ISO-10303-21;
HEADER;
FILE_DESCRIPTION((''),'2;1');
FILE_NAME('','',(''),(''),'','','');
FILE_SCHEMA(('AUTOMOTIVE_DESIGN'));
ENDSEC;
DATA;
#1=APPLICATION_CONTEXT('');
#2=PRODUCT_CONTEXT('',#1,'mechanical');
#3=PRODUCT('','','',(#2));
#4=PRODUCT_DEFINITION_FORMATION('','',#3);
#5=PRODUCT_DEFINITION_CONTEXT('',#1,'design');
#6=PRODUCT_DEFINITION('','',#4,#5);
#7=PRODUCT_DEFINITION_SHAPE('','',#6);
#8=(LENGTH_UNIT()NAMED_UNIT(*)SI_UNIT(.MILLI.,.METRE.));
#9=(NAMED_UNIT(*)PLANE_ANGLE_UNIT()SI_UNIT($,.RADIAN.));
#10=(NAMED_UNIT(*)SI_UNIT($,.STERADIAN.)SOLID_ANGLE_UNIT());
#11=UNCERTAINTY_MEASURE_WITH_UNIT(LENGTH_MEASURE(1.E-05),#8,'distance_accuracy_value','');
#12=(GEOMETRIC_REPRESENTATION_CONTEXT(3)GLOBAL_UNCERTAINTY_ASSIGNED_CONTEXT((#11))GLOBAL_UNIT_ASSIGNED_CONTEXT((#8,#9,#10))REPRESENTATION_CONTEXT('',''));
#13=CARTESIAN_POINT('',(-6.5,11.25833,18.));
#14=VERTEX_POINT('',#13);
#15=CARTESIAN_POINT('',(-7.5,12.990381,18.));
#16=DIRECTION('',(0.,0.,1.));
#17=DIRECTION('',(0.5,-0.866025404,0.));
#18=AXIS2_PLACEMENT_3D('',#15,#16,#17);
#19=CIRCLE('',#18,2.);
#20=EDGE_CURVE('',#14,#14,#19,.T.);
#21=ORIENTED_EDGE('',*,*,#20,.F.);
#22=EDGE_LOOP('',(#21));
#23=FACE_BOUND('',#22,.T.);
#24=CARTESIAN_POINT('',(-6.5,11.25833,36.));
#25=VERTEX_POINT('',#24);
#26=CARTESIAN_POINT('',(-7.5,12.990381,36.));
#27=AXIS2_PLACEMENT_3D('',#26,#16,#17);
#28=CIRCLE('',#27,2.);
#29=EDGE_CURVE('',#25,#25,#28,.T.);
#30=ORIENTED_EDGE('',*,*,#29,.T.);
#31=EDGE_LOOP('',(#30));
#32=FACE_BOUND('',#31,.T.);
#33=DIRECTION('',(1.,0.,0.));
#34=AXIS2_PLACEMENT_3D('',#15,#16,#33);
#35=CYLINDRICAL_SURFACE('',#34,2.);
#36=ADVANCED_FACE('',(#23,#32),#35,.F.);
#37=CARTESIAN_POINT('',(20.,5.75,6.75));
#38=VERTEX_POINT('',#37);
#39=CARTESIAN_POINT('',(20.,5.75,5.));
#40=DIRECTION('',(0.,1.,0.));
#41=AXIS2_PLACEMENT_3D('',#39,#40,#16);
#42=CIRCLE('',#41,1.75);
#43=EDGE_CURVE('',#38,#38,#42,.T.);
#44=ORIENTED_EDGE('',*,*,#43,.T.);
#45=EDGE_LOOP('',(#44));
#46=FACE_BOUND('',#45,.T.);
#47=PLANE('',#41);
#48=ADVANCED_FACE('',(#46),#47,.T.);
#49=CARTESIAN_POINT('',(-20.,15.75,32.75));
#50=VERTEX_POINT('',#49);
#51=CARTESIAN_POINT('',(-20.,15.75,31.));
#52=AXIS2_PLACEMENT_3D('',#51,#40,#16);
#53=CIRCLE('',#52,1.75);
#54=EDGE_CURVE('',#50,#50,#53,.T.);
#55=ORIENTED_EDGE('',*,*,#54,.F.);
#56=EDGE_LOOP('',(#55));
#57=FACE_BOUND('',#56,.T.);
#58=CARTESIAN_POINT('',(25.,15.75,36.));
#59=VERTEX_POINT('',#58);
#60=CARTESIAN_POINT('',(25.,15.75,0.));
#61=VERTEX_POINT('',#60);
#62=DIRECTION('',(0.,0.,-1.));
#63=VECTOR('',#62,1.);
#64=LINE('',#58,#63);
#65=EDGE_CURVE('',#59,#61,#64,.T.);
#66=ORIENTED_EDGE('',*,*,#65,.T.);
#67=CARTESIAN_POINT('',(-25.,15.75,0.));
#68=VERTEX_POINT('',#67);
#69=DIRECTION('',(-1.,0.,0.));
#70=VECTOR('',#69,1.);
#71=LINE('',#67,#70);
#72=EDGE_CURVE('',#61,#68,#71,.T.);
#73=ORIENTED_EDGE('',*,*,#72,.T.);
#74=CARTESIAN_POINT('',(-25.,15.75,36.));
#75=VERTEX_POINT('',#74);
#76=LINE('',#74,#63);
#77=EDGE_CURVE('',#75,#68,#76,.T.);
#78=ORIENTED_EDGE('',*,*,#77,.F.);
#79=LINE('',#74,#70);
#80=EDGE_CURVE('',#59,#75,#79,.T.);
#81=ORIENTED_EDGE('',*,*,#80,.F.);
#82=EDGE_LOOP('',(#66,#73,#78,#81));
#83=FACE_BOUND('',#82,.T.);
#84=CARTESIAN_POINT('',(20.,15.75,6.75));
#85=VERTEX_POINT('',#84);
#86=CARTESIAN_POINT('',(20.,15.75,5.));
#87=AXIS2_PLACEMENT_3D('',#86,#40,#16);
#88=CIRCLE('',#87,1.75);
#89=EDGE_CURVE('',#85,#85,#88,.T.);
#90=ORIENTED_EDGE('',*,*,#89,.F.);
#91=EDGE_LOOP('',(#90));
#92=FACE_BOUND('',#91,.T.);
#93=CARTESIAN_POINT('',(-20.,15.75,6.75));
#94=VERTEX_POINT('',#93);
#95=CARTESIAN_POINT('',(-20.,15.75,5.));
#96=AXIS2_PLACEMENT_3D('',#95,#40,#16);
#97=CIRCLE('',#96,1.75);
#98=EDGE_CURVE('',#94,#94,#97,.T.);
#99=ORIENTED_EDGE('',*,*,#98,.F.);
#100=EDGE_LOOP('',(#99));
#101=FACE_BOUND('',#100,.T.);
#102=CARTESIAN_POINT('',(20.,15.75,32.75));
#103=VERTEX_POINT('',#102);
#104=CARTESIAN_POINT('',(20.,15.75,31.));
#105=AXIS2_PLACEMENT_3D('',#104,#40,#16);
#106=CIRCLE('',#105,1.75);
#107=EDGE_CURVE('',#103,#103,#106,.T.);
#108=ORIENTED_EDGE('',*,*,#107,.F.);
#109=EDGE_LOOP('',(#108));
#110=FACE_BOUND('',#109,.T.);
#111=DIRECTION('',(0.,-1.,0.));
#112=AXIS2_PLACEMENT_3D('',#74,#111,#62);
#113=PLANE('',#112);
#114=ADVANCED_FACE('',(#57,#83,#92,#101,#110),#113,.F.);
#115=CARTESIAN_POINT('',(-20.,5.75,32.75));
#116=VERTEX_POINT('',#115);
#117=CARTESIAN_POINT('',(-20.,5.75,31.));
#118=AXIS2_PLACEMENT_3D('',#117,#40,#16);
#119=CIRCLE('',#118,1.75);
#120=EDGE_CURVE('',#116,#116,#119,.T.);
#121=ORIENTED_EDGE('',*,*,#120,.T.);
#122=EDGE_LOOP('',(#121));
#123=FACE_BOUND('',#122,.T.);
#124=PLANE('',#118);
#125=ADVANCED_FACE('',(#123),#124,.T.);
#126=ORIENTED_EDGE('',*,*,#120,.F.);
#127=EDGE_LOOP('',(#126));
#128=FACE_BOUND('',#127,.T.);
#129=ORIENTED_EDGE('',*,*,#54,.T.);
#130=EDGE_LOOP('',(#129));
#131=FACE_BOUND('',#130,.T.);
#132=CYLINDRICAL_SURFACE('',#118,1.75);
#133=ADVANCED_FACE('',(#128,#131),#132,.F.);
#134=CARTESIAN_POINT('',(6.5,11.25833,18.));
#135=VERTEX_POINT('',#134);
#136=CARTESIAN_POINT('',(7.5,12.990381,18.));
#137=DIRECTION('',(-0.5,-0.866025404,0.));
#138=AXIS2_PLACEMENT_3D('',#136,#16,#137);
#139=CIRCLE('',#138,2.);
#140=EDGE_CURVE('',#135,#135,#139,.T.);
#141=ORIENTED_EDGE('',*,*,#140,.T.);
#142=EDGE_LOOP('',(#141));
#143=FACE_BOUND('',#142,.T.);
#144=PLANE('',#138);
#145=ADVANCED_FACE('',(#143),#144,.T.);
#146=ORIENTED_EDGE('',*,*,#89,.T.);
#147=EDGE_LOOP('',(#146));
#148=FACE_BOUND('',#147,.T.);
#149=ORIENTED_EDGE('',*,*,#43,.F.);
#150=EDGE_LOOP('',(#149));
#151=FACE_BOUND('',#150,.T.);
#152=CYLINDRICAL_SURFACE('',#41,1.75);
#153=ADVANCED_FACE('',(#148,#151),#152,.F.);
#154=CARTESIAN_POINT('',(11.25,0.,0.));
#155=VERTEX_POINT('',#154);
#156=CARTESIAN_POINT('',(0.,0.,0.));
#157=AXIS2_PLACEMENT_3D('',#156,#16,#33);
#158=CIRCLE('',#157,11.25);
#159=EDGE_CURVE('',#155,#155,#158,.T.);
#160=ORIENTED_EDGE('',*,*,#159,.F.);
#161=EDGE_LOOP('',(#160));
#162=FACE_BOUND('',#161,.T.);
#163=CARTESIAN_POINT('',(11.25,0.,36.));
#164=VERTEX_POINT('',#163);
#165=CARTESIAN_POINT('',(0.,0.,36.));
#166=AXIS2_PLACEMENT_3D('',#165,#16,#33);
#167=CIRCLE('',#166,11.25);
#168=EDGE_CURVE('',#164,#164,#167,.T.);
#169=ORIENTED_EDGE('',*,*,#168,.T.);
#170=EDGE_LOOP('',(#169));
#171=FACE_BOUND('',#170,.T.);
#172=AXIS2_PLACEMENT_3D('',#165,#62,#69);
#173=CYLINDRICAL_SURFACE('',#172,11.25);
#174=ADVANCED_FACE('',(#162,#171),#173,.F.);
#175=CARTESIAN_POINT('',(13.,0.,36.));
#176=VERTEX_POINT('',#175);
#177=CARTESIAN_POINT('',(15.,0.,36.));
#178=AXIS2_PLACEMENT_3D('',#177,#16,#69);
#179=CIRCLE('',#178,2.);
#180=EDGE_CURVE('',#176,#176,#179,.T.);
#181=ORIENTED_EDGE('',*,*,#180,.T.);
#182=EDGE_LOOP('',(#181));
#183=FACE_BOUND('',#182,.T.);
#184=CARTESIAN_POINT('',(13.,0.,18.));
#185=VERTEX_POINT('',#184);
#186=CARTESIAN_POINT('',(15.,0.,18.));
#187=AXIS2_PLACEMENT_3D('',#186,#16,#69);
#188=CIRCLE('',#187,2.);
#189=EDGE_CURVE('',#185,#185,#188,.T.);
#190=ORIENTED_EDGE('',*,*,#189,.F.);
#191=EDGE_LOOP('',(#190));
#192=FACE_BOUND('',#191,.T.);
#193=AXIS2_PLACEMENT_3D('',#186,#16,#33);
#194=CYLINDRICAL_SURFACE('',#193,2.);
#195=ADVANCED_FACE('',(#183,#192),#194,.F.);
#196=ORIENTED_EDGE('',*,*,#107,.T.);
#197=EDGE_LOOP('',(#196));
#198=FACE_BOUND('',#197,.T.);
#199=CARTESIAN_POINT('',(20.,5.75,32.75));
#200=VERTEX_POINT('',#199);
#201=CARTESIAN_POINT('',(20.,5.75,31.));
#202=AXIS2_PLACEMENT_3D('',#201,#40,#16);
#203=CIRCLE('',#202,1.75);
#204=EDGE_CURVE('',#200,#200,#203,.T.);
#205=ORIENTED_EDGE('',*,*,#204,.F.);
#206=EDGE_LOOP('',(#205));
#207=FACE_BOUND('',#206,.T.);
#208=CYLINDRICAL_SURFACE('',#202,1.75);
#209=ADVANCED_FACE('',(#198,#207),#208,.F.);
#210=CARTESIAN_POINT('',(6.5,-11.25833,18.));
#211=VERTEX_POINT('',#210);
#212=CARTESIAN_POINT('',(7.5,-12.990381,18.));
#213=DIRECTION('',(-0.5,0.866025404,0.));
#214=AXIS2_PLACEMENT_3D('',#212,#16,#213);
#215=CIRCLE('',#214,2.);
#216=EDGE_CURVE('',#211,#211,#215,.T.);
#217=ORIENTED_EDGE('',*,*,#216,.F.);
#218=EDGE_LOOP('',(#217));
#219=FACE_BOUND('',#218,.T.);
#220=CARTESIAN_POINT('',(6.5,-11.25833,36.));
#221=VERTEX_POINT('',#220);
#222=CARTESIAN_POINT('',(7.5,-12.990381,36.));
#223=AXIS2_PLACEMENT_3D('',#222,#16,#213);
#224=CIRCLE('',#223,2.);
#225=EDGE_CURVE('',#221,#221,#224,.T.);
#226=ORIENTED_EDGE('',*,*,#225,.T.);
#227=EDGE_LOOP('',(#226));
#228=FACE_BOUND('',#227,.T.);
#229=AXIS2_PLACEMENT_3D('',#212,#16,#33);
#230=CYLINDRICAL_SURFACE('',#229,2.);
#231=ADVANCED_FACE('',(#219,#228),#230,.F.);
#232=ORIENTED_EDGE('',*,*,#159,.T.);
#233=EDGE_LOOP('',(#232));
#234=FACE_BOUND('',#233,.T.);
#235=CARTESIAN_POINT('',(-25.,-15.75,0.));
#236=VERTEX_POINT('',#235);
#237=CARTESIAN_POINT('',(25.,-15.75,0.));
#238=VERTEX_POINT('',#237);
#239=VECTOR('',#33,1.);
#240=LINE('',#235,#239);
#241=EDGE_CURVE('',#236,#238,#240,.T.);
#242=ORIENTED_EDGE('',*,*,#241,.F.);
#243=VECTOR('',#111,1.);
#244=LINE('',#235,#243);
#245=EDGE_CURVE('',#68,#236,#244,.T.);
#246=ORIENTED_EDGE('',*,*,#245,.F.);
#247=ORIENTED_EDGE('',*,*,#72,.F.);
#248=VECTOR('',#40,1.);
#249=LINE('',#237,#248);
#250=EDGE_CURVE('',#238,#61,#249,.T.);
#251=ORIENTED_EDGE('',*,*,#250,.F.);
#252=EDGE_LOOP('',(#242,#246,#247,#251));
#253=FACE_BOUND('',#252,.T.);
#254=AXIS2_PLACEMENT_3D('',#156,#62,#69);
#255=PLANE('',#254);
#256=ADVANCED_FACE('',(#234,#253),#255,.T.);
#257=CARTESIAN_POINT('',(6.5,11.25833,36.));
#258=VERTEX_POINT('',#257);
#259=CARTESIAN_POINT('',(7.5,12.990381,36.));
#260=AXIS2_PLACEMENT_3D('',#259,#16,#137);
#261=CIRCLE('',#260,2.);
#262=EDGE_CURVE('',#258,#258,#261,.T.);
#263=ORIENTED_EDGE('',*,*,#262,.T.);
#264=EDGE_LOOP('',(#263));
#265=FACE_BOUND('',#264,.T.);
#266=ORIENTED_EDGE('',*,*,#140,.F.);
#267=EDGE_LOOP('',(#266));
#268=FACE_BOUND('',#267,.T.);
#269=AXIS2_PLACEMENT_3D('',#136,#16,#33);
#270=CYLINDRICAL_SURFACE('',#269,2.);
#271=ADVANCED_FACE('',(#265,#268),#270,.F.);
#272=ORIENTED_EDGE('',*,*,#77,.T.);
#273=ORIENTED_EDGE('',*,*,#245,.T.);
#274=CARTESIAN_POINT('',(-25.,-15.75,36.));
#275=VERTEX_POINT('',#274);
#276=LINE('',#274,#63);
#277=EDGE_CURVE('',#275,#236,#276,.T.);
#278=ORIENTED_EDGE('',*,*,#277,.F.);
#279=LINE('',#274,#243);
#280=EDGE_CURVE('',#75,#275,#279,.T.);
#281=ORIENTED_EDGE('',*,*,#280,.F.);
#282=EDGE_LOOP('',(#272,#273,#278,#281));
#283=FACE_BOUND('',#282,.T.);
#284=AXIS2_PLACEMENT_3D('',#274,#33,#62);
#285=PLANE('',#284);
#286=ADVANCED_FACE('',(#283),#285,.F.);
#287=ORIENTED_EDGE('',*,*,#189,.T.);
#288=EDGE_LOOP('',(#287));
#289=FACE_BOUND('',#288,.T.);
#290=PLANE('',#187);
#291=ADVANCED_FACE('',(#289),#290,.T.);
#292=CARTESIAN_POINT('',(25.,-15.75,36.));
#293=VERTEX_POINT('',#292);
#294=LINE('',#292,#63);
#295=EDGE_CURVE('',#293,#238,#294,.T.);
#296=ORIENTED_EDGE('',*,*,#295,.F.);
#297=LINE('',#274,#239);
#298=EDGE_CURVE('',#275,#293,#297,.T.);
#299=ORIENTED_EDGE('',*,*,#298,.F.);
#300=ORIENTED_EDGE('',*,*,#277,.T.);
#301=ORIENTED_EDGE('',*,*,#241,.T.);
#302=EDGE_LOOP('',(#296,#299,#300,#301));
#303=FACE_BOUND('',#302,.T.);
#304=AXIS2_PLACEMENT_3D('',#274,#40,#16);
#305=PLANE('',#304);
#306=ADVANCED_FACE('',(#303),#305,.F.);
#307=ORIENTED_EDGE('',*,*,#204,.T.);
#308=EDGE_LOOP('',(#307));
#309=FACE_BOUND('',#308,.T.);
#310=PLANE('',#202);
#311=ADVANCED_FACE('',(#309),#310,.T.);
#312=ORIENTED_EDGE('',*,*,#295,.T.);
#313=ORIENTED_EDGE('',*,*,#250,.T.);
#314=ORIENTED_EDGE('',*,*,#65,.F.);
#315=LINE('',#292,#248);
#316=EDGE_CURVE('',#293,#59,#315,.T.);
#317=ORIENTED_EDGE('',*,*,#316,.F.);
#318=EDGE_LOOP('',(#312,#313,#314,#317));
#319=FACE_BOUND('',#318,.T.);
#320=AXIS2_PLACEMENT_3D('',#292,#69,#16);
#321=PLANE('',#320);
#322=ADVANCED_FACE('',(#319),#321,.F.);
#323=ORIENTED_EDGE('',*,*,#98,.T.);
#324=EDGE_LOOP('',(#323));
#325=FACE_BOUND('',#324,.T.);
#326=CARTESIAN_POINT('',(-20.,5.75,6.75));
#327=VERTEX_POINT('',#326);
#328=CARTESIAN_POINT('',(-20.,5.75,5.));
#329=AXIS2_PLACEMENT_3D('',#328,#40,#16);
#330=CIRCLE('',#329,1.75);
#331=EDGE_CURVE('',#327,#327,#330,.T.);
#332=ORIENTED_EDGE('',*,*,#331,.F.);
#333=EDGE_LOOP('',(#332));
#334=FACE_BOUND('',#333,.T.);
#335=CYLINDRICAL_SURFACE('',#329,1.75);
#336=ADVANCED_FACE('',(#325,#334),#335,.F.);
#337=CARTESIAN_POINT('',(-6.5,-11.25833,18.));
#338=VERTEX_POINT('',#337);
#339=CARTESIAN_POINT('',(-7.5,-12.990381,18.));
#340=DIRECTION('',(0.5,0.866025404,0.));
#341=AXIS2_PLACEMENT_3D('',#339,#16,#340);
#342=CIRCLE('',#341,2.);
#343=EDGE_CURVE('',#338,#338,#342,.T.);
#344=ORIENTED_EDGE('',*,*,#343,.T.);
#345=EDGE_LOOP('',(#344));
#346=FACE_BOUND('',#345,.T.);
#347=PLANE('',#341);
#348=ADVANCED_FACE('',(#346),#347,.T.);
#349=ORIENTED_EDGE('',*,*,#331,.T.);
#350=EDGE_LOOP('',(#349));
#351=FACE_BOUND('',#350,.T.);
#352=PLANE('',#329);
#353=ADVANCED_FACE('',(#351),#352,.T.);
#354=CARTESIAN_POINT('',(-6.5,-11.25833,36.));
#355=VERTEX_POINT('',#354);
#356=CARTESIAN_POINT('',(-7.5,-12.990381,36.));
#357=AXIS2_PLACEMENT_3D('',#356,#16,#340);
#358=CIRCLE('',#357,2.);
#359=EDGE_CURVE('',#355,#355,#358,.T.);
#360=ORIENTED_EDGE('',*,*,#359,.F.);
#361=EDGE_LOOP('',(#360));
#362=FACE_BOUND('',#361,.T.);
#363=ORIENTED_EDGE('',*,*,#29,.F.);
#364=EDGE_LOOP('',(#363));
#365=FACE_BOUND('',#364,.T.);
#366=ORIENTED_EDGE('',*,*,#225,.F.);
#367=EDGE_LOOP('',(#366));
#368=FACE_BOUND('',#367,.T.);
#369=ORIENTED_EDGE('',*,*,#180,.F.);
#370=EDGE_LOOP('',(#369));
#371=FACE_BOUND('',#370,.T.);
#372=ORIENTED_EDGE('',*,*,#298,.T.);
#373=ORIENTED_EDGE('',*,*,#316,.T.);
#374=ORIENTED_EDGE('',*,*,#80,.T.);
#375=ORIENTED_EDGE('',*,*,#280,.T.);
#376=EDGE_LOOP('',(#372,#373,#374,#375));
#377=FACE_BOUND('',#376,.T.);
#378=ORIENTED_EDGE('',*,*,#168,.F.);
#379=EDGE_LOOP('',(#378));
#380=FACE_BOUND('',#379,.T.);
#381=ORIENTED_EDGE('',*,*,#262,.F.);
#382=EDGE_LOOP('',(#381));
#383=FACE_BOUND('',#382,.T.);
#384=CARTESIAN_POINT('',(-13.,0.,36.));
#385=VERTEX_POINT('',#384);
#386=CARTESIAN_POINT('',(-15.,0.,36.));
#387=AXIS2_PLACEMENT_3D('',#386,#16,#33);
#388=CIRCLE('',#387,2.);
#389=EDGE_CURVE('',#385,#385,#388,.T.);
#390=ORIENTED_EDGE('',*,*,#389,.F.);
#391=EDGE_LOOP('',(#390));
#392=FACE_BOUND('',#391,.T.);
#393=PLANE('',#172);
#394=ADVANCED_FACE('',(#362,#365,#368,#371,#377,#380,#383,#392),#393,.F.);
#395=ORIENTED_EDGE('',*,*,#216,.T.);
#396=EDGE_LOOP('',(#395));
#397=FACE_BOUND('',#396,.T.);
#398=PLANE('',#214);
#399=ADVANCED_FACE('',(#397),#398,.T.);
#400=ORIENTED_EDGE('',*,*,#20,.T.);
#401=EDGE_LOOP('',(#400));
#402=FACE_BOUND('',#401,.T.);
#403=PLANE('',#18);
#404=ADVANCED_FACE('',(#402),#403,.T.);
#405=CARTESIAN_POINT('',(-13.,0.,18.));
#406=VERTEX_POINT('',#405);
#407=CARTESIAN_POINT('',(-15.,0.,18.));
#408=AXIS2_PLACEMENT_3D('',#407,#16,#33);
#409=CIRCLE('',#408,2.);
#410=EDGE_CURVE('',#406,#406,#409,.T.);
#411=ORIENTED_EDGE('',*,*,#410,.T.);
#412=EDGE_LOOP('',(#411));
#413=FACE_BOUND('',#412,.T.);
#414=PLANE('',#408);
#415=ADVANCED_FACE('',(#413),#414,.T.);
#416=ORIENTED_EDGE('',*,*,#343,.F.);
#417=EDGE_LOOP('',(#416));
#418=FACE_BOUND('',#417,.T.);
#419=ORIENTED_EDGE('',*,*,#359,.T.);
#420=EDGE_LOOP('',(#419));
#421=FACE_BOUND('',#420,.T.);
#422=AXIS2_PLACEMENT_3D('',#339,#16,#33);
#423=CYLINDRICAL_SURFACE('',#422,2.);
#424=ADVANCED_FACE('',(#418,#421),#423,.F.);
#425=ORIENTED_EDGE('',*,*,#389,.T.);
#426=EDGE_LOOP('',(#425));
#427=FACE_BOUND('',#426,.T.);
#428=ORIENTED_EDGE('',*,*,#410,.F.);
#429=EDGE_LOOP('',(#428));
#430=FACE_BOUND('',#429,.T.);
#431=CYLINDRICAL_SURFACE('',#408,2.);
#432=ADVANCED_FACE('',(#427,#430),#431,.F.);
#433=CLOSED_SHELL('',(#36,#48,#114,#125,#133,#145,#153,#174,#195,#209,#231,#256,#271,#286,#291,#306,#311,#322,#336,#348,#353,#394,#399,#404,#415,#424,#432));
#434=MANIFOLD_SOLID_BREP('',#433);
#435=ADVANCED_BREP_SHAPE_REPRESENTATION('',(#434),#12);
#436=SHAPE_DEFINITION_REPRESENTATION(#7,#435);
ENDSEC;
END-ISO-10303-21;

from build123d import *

# Parameters (mm, degrees)
CROQUIS1_W              = 50
CROQUIS1_H              = 31.5
CROQUIS1_R              = 11.25
SALIENTE_EXTRUIR1_DEPTH = 36
CROQUIS2_R              = 1.75
CORTAR_EXTRUIR1_DEPTH   = 10
CROQUIS3_R              = 2
CORTAR_EXTRUIR2_DEPTH   = 18
MATRIZC1_COUNT          = 6


with BuildPart() as part:
    # Croquis1 → Saliente-Extruir1 (new body)
    with BuildSketch(Plane.XY):
        Rectangle(CROQUIS1_W, CROQUIS1_H)
        Circle(CROQUIS1_R, mode=Mode.SUBTRACT)
    extrude(amount=SALIENTE_EXTRUIR1_DEPTH)

    # Croquis2 → Cortar-Extruir1 (cut)
    with BuildSketch(Plane(origin=(0, 15.75, 0), x_dir=(1, 0, 0), z_dir=(0, 1, 0))):
        with Locations(Location((-20, -5, 0), (0, 0, 270))):
            Circle(CROQUIS2_R)
        with Locations(Location((20, -5, 0), (0, 0, 270))):
            Circle(CROQUIS2_R)
        with Locations(Location((20, -31, 0), (0, 0, 270))):
            Circle(CROQUIS2_R)
        with Locations(Location((-20, -31, 0), (0, 0, 270))):
            Circle(CROQUIS2_R)
    extrude(amount=-CORTAR_EXTRUIR1_DEPTH, mode=Mode.SUBTRACT)

    # Croquis3 → Cortar-Extruir2 (cut)
    with BuildSketch(Plane.XY.offset(36)):
        with Locations((-15, 0)):
            Circle(CROQUIS3_R)
    cortar_extruir2 = extrude(amount=-CORTAR_EXTRUIR2_DEPTH, mode=Mode.SUBTRACT)

    # MatrizC1: Cortar-Extruir2 ×6 about axis
    matrizc1_axis = Axis((0, 0, 0), (0, 0, 1))
    for i in range(1, MATRIZC1_COUNT):
        add(cortar_extruir2.rotate(matrizc1_axis, i * 360 / MATRIZC1_COUNT), mode=Mode.SUBTRACT)


solid = part.part
